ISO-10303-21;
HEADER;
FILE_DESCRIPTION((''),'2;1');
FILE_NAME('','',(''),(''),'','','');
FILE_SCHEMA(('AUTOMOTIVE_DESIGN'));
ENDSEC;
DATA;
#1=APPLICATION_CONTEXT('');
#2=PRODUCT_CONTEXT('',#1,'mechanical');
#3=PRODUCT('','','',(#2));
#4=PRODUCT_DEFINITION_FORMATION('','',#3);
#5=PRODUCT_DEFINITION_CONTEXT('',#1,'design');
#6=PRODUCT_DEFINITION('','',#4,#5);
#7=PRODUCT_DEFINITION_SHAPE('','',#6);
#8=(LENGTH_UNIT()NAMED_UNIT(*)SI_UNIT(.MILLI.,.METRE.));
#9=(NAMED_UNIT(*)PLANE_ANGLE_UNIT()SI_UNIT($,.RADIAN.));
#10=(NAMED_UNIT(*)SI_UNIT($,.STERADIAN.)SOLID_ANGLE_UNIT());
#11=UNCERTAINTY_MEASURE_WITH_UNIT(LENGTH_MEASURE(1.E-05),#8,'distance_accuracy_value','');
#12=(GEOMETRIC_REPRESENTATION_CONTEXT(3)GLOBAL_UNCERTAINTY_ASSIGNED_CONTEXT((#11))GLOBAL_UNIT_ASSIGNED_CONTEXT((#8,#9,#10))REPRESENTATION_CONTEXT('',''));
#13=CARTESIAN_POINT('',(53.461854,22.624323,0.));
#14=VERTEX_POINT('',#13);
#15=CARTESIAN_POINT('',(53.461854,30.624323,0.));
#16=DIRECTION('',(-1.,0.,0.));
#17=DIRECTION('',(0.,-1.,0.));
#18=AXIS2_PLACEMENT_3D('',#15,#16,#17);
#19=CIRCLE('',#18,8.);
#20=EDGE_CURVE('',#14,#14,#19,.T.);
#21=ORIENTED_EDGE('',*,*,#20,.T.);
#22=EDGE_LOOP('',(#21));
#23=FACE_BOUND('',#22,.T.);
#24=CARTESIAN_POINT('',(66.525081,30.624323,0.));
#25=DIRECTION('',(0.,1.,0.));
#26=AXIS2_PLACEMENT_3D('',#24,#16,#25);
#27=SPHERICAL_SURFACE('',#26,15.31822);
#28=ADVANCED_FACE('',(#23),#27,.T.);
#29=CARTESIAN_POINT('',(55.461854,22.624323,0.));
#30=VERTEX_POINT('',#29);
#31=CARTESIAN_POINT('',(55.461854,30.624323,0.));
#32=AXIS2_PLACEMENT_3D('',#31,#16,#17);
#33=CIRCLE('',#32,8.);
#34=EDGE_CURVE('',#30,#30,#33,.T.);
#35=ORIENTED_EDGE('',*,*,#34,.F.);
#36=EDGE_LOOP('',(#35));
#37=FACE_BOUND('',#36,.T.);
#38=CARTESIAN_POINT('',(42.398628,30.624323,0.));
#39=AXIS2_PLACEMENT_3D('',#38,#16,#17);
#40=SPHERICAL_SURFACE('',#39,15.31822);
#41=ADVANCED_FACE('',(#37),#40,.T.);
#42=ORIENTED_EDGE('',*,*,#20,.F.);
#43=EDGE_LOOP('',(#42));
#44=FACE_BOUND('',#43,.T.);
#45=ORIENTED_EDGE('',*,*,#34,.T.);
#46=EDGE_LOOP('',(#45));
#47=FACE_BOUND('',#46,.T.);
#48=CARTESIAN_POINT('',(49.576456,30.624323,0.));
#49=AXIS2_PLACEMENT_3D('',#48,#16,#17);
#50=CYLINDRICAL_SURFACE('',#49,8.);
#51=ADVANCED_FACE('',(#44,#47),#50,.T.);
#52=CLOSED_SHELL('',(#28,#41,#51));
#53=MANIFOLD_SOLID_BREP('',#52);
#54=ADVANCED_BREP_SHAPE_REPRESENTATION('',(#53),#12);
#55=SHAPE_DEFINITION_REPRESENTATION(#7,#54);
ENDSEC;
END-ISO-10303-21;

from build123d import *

# Parameters (mm, degrees)
SKETCH_1_ONE_SIDE_W = 2
SKETCH_1_ONE_SIDE_H = 8


with BuildPart() as part:
    # 草图1 one side → 旋转1 (revolve)
    with BuildSketch(Plane.XY, mode=Mode.PRIVATE) as revolve_1_sk:
        with Locations((54.461854346, 34.624323164)):
            Rectangle(SKETCH_1_ONE_SIDE_W, SKETCH_1_ONE_SIDE_H)
        with BuildLine():
            Line((51.206860061, 30.624323164), (53.461854346, 30.624323164))
            Line((53.461854346, 30.624323164), (53.461854346, 38.624323164))
            ThreePointArc((53.461854346, 38.624323164), (51.781382604, 34.780192484), (51.206860061, 30.624323164))
        make_face()
        with BuildLine():
            Line((55.461854346, 30.624323164), (57.716848632, 30.624323164))
            ThreePointArc((57.716848632, 30.624323164), (57.142326089, 34.780192484), (55.461854346, 38.624323164))
            Line((55.461854346, 38.624323164), (55.461854346, 30.624323164))
        make_face()
    revolve(revolve_1_sk.sketch.rotate(Axis((49.576455887, 30.624323164, 0), (1, 0, 0)), 180), axis=Axis((49.576455887, 30.624323164, 0), (1, 0, 0)))  # turned: the seam where the file's is


solid = part.part
